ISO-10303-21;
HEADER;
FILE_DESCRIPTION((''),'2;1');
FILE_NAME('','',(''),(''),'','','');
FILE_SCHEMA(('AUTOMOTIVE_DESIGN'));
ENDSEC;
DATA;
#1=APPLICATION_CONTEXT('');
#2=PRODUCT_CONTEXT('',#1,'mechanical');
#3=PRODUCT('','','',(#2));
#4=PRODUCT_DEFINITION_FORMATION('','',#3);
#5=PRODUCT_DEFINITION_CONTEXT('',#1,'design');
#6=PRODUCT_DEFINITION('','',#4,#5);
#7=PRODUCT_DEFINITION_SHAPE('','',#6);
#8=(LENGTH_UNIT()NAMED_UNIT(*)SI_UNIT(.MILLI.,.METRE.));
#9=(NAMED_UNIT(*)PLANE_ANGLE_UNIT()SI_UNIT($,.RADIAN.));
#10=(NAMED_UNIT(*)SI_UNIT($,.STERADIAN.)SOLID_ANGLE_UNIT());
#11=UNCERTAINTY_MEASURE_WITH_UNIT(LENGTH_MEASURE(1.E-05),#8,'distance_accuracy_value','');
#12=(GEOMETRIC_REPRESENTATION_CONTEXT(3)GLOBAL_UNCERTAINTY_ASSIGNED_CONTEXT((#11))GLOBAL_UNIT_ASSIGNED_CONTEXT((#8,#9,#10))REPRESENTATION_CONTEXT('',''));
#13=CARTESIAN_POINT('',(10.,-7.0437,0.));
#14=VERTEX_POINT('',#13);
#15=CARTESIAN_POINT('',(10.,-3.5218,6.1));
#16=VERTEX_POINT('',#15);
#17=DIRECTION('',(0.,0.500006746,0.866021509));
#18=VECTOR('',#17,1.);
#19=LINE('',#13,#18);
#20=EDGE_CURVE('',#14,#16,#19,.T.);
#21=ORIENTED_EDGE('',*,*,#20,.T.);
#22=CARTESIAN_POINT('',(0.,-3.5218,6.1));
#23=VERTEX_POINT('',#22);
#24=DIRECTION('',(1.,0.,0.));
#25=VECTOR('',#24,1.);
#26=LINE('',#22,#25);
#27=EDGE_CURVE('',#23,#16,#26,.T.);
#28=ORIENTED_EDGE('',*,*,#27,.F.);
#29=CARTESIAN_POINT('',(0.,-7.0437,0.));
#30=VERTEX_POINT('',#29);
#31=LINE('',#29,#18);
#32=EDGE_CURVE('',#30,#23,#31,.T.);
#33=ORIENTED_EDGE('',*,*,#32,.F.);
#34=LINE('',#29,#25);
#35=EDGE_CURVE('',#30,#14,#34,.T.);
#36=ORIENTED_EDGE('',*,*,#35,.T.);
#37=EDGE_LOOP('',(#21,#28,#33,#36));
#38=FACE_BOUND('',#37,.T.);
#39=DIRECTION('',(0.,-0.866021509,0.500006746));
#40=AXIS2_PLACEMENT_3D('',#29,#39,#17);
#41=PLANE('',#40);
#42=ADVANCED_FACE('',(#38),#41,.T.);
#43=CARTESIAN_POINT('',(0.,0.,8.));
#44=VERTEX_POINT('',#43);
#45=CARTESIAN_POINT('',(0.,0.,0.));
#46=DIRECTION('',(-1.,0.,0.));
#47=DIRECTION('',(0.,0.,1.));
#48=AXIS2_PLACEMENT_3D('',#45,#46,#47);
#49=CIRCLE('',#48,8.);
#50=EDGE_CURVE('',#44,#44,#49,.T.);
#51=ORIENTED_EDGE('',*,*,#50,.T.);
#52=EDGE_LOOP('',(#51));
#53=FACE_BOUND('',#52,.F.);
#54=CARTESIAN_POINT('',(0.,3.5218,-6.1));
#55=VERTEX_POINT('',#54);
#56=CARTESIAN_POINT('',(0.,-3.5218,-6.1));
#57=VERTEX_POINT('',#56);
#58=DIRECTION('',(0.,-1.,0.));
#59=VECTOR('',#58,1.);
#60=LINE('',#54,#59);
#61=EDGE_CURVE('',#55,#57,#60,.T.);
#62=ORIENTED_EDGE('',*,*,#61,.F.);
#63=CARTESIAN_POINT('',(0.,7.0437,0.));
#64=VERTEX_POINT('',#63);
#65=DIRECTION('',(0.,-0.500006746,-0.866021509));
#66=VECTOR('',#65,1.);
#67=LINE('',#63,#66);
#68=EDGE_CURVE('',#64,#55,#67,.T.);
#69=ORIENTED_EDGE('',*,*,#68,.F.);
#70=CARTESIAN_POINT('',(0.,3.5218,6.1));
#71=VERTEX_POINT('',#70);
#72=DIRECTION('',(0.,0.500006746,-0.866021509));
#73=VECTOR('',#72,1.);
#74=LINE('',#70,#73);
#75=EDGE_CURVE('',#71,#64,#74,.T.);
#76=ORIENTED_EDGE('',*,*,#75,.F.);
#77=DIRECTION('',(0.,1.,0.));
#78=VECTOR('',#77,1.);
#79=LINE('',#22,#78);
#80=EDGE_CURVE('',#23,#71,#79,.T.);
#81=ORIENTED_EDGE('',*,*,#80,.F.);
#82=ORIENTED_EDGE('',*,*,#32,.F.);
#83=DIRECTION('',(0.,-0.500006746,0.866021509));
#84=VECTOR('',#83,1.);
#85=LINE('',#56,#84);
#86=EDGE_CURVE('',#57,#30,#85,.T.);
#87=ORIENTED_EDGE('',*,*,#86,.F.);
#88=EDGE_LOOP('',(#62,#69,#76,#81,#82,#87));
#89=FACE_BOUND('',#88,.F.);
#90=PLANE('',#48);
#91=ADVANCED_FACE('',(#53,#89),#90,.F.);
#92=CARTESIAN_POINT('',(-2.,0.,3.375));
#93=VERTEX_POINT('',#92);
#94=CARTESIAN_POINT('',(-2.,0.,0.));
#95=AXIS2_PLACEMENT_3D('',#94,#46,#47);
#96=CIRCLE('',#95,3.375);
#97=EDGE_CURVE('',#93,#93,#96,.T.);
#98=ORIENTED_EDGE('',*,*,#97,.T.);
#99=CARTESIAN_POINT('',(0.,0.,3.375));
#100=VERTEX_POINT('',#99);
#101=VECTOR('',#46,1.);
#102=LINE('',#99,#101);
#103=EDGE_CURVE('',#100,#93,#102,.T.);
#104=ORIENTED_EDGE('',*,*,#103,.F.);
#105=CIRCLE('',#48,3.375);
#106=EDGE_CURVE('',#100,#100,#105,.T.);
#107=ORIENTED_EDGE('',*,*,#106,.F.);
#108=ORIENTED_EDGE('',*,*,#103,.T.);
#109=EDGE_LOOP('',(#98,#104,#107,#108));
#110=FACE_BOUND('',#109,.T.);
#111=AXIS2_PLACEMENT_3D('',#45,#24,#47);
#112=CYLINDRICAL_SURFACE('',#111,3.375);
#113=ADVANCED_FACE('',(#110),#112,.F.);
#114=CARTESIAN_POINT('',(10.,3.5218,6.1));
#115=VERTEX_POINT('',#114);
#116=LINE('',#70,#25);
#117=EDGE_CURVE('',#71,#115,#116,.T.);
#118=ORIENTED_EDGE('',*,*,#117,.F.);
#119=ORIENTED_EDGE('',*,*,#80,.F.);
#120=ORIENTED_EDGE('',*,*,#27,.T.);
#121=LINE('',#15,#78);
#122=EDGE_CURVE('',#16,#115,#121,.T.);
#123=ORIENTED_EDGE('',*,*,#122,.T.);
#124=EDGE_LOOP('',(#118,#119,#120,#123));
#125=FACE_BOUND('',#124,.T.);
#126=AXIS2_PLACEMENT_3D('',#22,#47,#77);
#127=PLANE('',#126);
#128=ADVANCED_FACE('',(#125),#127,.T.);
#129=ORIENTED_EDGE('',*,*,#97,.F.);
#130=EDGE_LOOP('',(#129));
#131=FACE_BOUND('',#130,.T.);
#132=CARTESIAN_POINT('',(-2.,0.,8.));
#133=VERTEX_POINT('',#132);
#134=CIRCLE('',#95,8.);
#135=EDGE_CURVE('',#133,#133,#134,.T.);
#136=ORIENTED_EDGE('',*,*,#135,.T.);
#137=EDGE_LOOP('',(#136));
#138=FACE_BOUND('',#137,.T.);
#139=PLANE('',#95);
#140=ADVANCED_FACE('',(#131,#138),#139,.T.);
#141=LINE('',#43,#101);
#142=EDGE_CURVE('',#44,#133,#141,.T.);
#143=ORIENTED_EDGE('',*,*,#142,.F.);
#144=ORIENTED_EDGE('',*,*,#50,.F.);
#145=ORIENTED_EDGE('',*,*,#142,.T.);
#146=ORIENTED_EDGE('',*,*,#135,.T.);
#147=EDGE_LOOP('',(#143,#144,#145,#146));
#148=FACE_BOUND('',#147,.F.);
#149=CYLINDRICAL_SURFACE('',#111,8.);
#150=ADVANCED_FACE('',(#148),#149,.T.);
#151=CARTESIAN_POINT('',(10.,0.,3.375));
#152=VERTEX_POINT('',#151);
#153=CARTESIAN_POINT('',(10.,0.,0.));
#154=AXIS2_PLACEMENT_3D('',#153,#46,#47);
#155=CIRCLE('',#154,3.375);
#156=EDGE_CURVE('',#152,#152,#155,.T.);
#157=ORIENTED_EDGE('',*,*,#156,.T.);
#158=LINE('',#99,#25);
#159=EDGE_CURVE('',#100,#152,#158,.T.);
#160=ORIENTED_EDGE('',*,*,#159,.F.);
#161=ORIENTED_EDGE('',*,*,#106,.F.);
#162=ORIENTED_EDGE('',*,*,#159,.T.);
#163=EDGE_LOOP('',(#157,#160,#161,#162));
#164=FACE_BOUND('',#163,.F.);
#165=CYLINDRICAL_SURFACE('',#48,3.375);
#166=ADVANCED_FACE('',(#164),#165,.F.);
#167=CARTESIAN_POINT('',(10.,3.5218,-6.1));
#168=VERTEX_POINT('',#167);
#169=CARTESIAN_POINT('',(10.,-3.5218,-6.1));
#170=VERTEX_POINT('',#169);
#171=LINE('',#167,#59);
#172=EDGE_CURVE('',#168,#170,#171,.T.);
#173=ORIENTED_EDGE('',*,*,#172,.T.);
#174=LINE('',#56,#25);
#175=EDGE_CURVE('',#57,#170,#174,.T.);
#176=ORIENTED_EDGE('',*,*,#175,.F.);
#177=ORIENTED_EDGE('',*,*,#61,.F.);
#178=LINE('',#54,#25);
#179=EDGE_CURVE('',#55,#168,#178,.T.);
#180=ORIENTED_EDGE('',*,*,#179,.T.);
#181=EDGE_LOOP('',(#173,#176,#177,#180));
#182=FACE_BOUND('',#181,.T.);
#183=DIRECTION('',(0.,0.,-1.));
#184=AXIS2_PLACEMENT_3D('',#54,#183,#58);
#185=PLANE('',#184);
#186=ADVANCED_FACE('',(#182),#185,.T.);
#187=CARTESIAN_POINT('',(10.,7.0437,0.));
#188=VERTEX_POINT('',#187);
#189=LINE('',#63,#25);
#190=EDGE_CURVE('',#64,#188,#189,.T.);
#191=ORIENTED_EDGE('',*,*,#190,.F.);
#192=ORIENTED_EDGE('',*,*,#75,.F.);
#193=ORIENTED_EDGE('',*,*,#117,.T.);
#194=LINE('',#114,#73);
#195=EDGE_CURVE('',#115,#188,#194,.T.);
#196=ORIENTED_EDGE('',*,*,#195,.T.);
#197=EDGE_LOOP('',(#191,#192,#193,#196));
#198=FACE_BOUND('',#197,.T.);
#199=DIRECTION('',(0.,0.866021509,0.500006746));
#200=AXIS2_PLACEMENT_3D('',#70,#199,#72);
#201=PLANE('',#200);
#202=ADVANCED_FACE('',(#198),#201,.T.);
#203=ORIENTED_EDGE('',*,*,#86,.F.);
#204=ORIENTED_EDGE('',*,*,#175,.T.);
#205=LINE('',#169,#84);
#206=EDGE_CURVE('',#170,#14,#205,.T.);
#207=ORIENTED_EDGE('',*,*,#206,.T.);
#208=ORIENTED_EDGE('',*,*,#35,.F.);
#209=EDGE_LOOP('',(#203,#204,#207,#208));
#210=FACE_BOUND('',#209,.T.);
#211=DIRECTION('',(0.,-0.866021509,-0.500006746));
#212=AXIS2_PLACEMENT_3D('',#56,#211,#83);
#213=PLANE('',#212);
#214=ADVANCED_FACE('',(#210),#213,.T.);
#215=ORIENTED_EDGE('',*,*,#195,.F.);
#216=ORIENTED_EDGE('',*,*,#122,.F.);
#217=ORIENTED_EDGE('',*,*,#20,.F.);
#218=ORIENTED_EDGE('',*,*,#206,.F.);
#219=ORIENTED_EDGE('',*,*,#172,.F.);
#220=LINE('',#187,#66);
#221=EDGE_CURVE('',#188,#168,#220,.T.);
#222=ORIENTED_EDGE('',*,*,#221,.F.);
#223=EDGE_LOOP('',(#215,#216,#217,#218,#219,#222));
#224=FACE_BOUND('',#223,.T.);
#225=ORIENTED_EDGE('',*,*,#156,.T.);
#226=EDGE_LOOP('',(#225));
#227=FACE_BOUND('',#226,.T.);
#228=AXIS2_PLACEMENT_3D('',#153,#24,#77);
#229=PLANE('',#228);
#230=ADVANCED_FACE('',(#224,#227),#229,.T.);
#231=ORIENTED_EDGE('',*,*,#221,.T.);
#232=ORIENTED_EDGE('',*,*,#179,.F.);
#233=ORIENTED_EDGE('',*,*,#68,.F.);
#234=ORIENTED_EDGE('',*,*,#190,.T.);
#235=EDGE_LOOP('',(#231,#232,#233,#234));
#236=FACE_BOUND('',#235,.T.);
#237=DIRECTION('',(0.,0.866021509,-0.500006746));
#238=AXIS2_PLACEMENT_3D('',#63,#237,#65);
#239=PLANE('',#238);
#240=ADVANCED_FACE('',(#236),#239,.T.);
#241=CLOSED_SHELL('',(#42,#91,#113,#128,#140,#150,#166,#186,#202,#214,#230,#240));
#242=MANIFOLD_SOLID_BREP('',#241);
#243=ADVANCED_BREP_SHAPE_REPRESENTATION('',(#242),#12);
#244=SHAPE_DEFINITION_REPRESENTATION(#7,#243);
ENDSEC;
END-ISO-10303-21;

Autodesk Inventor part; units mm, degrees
ref_plane "YZ Plane" through (0, 0, 0) normal (1, 0, 0) x (0, 1, 0)
ref_plane "XZ Plane" through (0, 0, 0) normal (0, 1, 0) x (-1, 0, 0)
ref_plane "XY Plane" through (0, 0, 0) normal (0, 0, 1) x (1, 0, 0)
sketch "Sketch1" plane through (0, 0, 0) normal (1, 0, 0) x (0, 1, 0)
  line L0 (0, 0) -> (0, 6.1) construction
  line L1 (3.5218, 6.1) -> (7.0437, 0)
  line L2 (7.0437, 0) -> (3.5218, -6.1)
  line L3 (3.5218, -6.1) -> (-3.5218, -6.1)
  line L4 (-3.5218, -6.1) -> (-7.0437, 0)
  line L5 (-7.0437, 0) -> (-3.5218, 6.1)
  line L6 (-3.5218, 6.1) -> (3.5218, 6.1)
  dimension "d0" = 6.1
extrude "Extrusion1" add sketch "Sketch1" along normal blind 10
sketch "Sketch2" plane through (0, 0, 0) normal (-1, 0, 0) x (0, 0, 1)
  circle A0 centre (0, 0) radius 3.375
  circle A1 centre (0, 0) radius 8
  dimension "d3" = 6.75
  dimension "d4" = 16
extrude "Extrusion2" add sketch "Sketch2" along normal blind 2
sketch "Sketch3" plane through (0, 0, 0) normal (-1, 0, 0) x (0, 0, 1)
  circle A0 centre (0, 0) radius 3.375
extrude "Extrusion3" cut sketch "Sketch3" against normal blind 10
properties part number "smallHub 9-28"
